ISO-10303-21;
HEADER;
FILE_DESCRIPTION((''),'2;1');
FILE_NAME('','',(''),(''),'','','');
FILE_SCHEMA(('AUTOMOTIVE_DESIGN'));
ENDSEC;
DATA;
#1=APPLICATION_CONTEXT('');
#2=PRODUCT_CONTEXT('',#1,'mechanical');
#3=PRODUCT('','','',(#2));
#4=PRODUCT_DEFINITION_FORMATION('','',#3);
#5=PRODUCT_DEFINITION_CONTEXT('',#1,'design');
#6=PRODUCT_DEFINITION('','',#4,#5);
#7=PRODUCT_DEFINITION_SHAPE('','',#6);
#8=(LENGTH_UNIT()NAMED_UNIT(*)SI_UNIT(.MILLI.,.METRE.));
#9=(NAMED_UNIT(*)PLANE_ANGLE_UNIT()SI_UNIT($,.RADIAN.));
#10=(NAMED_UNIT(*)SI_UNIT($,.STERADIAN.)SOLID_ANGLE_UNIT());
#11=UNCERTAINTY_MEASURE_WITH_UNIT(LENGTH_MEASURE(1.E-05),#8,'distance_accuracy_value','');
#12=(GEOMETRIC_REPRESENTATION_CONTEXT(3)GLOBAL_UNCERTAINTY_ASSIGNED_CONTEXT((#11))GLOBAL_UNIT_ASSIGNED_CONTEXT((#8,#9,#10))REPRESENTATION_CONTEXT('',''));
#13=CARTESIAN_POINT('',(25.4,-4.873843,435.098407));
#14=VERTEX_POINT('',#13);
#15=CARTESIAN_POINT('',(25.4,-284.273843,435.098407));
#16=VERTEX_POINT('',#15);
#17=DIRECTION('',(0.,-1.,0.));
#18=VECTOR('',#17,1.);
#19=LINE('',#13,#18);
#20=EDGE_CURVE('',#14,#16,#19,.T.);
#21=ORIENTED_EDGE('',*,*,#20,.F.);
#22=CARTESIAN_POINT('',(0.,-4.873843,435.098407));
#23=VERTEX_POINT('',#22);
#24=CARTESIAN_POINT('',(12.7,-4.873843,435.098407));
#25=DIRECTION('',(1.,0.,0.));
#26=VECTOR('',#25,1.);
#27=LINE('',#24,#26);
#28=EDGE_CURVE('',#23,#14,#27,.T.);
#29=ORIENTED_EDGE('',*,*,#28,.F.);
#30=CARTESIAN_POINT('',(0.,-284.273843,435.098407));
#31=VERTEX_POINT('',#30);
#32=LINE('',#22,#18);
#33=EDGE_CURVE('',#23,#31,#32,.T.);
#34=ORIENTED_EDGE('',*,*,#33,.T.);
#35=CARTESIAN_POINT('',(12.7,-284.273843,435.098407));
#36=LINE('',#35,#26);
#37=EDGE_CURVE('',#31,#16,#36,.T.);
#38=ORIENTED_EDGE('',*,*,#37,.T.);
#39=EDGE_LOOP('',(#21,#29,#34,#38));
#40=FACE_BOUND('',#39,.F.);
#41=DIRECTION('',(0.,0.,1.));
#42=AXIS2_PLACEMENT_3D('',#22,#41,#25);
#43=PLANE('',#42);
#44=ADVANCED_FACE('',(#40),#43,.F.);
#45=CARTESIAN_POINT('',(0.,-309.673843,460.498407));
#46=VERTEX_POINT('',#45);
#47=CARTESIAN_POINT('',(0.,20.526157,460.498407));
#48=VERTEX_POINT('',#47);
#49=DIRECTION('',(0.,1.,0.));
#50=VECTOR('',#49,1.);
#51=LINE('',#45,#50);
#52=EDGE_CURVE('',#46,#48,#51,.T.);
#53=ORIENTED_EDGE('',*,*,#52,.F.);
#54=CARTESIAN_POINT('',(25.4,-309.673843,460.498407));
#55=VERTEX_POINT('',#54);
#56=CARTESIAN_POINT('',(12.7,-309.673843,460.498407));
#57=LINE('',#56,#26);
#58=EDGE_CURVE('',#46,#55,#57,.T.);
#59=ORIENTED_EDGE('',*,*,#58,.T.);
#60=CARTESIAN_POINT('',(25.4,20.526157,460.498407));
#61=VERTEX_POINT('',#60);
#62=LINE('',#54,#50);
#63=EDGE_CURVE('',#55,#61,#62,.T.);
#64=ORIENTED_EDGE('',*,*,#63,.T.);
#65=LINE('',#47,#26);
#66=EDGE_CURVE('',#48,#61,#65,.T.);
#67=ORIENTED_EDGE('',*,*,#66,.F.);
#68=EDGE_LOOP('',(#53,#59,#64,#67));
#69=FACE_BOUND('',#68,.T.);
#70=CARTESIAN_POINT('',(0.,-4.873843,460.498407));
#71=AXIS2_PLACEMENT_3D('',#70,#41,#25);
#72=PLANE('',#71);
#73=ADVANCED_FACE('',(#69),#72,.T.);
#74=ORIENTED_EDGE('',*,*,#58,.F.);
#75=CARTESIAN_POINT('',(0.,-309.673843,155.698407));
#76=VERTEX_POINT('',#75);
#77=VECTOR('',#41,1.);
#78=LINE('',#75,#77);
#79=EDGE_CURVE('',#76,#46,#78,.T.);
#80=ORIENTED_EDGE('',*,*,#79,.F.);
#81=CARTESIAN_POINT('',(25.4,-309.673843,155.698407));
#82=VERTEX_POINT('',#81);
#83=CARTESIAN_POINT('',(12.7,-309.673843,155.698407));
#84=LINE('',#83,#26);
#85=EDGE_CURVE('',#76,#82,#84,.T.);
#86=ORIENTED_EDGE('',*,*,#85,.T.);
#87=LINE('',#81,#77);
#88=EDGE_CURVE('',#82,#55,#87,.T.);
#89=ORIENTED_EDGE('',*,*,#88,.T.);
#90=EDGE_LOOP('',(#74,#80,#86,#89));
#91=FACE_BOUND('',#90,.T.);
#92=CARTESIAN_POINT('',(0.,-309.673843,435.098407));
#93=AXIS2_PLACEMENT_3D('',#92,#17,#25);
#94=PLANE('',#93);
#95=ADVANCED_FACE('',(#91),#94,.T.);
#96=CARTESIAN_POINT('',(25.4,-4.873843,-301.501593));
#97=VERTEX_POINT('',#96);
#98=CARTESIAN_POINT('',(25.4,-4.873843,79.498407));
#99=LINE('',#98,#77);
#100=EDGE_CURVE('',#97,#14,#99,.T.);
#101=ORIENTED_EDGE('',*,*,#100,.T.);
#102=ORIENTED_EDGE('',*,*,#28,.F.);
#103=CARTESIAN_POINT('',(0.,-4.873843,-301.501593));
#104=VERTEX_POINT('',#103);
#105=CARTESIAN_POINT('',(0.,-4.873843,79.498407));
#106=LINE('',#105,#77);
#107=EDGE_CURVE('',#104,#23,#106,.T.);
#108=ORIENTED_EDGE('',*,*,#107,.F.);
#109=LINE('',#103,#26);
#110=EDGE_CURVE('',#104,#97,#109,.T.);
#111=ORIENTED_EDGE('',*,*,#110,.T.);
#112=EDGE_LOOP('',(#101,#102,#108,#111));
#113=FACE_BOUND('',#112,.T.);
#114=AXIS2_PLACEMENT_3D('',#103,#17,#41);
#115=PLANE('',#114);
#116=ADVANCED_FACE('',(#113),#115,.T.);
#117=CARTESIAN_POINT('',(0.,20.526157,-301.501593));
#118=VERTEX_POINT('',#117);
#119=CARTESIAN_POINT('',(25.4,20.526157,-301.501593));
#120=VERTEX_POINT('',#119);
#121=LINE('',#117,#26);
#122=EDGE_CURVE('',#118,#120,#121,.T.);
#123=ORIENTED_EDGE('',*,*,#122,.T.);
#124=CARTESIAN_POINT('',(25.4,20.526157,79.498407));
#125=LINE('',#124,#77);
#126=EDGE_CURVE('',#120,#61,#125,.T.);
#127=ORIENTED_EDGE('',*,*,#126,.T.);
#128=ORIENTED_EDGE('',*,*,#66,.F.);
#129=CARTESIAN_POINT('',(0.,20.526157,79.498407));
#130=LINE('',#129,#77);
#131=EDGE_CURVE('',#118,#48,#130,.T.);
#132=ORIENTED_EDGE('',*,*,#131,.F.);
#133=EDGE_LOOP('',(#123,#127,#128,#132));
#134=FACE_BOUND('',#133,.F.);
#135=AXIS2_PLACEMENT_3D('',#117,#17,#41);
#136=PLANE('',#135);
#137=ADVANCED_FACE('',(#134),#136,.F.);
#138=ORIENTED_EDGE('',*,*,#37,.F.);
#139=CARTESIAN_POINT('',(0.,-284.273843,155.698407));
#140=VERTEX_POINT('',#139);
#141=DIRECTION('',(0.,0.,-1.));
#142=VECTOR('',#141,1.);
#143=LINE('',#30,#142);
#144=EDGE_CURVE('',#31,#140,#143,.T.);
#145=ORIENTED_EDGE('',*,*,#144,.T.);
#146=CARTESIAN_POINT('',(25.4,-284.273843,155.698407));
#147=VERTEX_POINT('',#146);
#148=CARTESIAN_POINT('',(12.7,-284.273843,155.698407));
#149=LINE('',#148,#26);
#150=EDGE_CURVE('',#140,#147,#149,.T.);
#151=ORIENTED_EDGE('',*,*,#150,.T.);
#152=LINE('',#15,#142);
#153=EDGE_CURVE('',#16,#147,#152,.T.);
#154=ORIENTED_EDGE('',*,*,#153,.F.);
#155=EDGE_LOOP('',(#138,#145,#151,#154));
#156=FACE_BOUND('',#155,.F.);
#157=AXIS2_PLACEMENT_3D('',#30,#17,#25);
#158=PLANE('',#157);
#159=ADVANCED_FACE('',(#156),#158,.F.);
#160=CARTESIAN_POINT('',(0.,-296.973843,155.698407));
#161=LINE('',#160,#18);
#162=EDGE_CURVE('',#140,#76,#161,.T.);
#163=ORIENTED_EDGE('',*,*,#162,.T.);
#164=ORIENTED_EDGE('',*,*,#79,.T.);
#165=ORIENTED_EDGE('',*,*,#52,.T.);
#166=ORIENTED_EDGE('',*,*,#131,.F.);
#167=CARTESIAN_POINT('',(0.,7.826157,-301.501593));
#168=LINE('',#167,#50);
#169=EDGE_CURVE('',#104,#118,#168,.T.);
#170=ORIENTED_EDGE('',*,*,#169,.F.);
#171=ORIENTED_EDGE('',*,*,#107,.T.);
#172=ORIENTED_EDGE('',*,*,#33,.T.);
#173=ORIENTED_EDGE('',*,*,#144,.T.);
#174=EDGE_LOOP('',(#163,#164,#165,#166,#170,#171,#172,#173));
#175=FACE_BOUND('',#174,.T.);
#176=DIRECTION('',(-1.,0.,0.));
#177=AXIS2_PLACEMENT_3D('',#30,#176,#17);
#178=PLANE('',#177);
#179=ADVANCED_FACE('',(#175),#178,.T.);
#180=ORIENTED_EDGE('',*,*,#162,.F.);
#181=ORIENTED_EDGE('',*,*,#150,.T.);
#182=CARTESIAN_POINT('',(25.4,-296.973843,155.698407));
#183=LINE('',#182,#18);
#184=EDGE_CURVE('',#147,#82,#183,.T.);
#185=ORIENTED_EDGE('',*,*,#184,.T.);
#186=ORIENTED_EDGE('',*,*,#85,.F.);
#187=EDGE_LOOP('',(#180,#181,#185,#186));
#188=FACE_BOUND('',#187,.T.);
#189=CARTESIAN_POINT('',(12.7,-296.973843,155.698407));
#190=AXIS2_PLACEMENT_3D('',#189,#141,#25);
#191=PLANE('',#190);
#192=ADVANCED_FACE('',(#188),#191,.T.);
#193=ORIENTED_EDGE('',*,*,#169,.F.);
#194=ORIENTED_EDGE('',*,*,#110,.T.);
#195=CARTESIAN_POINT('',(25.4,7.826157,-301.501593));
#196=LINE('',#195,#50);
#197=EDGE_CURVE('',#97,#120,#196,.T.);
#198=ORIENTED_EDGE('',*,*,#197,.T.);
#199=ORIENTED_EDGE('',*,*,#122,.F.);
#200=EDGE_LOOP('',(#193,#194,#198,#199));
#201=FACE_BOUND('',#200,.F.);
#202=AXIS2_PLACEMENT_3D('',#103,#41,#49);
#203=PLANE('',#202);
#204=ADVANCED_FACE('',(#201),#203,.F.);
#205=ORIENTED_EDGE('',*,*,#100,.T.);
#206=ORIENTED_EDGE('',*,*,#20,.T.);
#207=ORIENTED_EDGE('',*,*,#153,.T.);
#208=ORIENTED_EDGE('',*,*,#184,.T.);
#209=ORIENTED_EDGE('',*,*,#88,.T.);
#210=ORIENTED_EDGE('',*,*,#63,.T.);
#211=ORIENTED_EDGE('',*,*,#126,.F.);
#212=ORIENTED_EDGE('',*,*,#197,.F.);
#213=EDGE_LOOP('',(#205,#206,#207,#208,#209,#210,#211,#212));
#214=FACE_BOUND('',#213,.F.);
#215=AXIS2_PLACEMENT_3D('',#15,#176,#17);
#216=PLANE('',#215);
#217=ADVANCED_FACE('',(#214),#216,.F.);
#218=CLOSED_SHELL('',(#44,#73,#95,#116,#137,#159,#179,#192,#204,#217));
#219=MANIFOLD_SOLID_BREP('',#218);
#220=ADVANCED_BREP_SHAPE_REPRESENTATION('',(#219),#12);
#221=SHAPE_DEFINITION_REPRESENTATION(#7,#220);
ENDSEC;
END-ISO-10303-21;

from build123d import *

# Parameters (mm, degrees)
F0_W     = 25.4
F0_H     = 762
F1_DEPTH = 25.4
F2_W     = 25.4
F2_H     = 25.4
F3_DEPTH = 304.8
F4_W     = 25.4
F4_H     = 25.4
F5_DEPTH = 279.4


with BuildPart() as f1:
    # F0 (on Right) → F1 (new body)
    with BuildSketch(Plane.YZ):
        with Locations((7.826157, 79.498407)):
            Rectangle(F0_W, F0_H)
    extrude(amount=F1_DEPTH)

    # F2 (on face) → F3 (join)
    with BuildSketch(Plane.XZ.offset(4.873843)):
        with Locations((12.7, 447.798407)):
            Rectangle(F2_W, F2_H)
    extrude(amount=F3_DEPTH)

    # F4 (on face) → F5 (join)
    with BuildSketch(Plane(origin=(0, 0, 435.098407), x_dir=(1, 0, 0), z_dir=(0, 0, -1))):
        with Locations((12.7, 296.973843)):
            Rectangle(F4_W, F4_H)
    extrude(amount=F5_DEPTH)


solid = f1.part
